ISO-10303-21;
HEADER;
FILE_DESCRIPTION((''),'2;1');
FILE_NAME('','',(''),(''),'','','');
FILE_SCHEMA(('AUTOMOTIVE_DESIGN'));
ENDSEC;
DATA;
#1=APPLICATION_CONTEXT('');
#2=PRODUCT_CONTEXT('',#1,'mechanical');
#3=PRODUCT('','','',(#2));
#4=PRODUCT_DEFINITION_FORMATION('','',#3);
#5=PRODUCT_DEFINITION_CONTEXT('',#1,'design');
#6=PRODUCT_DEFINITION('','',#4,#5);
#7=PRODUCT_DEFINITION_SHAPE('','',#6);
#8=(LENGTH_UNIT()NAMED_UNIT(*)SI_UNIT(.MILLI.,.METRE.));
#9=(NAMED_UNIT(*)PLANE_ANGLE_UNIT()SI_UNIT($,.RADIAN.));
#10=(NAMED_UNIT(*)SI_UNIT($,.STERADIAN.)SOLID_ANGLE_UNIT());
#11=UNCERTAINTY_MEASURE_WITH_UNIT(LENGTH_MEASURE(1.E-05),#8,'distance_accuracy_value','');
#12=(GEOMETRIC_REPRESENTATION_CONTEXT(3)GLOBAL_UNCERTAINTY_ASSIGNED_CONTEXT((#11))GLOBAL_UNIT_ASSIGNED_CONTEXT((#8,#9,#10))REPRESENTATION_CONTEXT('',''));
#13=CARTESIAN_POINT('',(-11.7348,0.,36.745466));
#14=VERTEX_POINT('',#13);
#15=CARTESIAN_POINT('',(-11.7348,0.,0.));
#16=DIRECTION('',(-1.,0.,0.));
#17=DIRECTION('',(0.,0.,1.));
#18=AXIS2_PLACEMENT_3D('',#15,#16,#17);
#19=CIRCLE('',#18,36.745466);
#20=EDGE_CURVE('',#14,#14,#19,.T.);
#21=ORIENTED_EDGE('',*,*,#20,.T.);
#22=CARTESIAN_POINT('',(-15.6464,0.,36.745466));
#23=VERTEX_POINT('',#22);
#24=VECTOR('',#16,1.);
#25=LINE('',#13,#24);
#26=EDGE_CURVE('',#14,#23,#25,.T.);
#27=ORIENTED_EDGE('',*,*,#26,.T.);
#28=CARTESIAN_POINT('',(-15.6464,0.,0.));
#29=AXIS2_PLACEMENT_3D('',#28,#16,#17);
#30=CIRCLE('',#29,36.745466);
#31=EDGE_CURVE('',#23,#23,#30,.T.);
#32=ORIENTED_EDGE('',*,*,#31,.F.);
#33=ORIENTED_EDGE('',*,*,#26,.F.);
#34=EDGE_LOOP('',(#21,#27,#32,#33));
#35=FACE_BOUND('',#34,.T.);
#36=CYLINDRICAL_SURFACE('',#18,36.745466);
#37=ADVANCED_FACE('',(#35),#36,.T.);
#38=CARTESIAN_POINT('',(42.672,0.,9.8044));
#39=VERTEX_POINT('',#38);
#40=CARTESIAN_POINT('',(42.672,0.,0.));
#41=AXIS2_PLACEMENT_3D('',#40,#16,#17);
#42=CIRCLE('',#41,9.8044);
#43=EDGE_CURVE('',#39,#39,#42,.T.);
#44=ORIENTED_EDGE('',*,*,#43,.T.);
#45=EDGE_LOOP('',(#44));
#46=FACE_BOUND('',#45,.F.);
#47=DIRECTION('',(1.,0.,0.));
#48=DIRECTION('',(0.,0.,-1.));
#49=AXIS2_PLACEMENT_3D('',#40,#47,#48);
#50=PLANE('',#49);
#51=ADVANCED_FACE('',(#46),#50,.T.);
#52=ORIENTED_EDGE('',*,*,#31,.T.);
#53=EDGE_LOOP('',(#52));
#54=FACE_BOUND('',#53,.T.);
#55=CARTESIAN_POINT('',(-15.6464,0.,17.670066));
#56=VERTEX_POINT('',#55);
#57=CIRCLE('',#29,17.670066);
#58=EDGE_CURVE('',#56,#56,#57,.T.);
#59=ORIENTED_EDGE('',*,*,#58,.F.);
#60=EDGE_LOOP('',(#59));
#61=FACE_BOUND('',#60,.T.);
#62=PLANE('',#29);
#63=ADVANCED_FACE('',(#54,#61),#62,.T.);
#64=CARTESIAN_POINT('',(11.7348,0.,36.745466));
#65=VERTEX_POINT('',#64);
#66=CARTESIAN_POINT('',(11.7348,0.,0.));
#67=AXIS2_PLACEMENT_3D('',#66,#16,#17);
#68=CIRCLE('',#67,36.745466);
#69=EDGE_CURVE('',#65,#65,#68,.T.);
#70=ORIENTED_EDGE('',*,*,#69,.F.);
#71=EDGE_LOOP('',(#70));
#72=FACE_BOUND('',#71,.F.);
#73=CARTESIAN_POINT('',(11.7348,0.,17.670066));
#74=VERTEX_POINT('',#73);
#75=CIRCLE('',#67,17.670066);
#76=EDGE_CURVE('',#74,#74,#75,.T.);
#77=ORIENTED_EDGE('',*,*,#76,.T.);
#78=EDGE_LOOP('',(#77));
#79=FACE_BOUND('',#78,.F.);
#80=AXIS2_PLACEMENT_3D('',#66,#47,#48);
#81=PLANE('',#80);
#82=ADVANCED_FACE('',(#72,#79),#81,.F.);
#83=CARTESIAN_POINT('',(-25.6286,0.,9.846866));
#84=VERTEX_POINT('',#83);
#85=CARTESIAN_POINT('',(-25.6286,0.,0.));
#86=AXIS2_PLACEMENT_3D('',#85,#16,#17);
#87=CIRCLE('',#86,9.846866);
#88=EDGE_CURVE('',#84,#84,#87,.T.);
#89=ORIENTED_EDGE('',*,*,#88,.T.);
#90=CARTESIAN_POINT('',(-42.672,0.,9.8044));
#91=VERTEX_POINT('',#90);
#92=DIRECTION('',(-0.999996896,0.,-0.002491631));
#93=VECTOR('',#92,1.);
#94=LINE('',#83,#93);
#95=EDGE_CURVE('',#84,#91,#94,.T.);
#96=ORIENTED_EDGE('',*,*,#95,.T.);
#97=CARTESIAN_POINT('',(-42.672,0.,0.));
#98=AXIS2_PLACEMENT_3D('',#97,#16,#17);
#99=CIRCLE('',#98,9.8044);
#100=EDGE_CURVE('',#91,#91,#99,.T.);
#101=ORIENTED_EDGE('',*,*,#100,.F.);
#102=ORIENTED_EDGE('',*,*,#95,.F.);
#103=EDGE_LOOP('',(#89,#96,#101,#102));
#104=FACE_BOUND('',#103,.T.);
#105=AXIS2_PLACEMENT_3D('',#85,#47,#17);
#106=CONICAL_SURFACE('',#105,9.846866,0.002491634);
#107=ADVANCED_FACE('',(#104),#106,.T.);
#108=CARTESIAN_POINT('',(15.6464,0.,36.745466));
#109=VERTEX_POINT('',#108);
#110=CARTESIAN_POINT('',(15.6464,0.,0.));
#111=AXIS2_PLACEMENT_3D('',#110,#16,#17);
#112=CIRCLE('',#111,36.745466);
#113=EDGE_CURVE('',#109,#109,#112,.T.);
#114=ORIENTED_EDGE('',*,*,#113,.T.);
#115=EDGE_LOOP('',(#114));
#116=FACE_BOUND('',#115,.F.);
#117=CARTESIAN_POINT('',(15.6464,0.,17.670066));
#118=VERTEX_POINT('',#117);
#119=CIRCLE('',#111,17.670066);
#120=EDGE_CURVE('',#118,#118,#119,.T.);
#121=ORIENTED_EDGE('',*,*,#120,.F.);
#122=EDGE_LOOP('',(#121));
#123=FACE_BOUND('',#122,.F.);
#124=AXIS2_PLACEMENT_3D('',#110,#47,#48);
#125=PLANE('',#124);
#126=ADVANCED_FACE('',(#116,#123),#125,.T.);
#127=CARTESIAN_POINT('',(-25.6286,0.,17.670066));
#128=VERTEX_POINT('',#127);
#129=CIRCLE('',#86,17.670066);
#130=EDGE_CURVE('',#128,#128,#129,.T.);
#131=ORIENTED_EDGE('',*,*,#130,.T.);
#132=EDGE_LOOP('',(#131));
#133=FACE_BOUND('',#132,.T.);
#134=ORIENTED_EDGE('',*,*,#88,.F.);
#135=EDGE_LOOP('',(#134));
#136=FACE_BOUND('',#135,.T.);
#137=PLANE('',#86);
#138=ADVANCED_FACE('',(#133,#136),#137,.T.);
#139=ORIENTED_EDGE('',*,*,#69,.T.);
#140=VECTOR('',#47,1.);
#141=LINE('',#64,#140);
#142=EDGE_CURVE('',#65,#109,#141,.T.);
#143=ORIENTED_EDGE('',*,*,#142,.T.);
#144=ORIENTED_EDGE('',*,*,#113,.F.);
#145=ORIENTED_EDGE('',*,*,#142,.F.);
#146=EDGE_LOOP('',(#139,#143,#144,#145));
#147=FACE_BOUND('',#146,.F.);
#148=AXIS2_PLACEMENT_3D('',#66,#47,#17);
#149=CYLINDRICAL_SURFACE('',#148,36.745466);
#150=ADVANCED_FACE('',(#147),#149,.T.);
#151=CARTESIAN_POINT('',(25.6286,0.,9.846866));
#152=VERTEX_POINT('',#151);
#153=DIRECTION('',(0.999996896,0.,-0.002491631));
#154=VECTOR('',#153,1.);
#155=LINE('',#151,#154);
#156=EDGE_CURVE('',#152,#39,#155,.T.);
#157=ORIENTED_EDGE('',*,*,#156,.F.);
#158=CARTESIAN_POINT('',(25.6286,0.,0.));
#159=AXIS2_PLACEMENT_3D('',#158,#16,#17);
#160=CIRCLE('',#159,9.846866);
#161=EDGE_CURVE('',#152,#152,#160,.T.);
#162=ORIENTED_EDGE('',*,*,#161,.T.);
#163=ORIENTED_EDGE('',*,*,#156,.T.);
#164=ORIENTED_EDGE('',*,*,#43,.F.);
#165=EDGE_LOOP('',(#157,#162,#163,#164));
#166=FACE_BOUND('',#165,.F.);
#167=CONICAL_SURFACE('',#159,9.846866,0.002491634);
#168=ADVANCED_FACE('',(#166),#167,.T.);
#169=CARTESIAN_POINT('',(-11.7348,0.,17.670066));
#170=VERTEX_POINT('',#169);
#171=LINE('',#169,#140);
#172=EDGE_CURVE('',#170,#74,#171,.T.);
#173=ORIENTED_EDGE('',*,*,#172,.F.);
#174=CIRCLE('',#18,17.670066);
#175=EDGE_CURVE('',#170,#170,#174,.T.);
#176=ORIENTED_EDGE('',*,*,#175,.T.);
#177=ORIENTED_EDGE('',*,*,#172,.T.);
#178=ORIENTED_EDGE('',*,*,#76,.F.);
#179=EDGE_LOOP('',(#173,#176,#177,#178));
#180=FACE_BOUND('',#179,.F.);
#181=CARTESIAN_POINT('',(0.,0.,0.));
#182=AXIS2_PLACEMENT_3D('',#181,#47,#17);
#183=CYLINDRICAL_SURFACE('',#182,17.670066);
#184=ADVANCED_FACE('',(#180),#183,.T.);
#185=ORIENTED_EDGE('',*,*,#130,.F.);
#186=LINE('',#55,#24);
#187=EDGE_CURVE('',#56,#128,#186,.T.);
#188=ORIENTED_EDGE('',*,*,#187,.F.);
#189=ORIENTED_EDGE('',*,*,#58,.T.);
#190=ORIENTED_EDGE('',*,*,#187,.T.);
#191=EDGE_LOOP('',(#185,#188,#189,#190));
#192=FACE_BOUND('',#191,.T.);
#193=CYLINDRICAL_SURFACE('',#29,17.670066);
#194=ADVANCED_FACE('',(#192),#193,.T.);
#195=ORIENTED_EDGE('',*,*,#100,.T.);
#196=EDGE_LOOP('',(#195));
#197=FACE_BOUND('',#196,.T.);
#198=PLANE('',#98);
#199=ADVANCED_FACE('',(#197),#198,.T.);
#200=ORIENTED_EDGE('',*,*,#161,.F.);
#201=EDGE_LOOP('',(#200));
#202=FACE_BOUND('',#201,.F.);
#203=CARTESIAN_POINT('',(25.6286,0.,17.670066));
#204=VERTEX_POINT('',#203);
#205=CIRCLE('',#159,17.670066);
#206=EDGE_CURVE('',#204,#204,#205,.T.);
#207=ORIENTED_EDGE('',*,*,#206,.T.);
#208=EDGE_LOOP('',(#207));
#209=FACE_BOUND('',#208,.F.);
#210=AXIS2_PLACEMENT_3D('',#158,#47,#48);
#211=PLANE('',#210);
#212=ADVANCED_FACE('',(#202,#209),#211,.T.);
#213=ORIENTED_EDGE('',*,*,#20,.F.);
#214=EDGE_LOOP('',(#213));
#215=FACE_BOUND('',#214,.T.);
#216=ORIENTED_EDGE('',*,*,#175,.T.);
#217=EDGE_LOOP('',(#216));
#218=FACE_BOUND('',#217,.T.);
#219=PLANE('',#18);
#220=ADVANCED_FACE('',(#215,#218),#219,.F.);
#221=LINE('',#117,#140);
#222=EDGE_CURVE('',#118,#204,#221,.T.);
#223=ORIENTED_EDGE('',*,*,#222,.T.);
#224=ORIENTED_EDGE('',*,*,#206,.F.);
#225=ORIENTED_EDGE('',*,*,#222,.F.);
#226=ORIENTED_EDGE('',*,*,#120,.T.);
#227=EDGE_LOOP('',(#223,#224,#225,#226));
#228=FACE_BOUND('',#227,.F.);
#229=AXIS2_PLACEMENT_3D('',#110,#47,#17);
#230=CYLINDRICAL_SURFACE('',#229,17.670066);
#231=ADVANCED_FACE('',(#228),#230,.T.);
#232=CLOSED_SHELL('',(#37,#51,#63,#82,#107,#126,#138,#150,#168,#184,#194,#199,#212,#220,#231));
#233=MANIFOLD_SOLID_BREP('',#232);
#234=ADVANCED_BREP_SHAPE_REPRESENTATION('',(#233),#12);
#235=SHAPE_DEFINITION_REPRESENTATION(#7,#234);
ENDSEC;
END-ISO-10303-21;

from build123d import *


with BuildPart() as f1:
    # F0 (on Front) → F1 (revolve)
    with BuildSketch(Plane.XZ):
        Polygon((-42.672, 0), (0, 0), (0, 17.670066), (-11.7348, 17.670066), (-11.7348, 36.745466), (-15.6464, 36.745466), (-15.6464, 17.670066), (-25.6286, 17.670066), (-25.6286, 9.846866), (-42.672, 9.8044), align=None)
    revolve(axis=Axis((-21.336, 0, 0), (-1, 0, 0)))

    # F2: F1 across plane


with BuildPart() as f1_1:
    add(f1.part)
    add(f1.part.mirror(Plane.YZ))


solid = f1_1.part
